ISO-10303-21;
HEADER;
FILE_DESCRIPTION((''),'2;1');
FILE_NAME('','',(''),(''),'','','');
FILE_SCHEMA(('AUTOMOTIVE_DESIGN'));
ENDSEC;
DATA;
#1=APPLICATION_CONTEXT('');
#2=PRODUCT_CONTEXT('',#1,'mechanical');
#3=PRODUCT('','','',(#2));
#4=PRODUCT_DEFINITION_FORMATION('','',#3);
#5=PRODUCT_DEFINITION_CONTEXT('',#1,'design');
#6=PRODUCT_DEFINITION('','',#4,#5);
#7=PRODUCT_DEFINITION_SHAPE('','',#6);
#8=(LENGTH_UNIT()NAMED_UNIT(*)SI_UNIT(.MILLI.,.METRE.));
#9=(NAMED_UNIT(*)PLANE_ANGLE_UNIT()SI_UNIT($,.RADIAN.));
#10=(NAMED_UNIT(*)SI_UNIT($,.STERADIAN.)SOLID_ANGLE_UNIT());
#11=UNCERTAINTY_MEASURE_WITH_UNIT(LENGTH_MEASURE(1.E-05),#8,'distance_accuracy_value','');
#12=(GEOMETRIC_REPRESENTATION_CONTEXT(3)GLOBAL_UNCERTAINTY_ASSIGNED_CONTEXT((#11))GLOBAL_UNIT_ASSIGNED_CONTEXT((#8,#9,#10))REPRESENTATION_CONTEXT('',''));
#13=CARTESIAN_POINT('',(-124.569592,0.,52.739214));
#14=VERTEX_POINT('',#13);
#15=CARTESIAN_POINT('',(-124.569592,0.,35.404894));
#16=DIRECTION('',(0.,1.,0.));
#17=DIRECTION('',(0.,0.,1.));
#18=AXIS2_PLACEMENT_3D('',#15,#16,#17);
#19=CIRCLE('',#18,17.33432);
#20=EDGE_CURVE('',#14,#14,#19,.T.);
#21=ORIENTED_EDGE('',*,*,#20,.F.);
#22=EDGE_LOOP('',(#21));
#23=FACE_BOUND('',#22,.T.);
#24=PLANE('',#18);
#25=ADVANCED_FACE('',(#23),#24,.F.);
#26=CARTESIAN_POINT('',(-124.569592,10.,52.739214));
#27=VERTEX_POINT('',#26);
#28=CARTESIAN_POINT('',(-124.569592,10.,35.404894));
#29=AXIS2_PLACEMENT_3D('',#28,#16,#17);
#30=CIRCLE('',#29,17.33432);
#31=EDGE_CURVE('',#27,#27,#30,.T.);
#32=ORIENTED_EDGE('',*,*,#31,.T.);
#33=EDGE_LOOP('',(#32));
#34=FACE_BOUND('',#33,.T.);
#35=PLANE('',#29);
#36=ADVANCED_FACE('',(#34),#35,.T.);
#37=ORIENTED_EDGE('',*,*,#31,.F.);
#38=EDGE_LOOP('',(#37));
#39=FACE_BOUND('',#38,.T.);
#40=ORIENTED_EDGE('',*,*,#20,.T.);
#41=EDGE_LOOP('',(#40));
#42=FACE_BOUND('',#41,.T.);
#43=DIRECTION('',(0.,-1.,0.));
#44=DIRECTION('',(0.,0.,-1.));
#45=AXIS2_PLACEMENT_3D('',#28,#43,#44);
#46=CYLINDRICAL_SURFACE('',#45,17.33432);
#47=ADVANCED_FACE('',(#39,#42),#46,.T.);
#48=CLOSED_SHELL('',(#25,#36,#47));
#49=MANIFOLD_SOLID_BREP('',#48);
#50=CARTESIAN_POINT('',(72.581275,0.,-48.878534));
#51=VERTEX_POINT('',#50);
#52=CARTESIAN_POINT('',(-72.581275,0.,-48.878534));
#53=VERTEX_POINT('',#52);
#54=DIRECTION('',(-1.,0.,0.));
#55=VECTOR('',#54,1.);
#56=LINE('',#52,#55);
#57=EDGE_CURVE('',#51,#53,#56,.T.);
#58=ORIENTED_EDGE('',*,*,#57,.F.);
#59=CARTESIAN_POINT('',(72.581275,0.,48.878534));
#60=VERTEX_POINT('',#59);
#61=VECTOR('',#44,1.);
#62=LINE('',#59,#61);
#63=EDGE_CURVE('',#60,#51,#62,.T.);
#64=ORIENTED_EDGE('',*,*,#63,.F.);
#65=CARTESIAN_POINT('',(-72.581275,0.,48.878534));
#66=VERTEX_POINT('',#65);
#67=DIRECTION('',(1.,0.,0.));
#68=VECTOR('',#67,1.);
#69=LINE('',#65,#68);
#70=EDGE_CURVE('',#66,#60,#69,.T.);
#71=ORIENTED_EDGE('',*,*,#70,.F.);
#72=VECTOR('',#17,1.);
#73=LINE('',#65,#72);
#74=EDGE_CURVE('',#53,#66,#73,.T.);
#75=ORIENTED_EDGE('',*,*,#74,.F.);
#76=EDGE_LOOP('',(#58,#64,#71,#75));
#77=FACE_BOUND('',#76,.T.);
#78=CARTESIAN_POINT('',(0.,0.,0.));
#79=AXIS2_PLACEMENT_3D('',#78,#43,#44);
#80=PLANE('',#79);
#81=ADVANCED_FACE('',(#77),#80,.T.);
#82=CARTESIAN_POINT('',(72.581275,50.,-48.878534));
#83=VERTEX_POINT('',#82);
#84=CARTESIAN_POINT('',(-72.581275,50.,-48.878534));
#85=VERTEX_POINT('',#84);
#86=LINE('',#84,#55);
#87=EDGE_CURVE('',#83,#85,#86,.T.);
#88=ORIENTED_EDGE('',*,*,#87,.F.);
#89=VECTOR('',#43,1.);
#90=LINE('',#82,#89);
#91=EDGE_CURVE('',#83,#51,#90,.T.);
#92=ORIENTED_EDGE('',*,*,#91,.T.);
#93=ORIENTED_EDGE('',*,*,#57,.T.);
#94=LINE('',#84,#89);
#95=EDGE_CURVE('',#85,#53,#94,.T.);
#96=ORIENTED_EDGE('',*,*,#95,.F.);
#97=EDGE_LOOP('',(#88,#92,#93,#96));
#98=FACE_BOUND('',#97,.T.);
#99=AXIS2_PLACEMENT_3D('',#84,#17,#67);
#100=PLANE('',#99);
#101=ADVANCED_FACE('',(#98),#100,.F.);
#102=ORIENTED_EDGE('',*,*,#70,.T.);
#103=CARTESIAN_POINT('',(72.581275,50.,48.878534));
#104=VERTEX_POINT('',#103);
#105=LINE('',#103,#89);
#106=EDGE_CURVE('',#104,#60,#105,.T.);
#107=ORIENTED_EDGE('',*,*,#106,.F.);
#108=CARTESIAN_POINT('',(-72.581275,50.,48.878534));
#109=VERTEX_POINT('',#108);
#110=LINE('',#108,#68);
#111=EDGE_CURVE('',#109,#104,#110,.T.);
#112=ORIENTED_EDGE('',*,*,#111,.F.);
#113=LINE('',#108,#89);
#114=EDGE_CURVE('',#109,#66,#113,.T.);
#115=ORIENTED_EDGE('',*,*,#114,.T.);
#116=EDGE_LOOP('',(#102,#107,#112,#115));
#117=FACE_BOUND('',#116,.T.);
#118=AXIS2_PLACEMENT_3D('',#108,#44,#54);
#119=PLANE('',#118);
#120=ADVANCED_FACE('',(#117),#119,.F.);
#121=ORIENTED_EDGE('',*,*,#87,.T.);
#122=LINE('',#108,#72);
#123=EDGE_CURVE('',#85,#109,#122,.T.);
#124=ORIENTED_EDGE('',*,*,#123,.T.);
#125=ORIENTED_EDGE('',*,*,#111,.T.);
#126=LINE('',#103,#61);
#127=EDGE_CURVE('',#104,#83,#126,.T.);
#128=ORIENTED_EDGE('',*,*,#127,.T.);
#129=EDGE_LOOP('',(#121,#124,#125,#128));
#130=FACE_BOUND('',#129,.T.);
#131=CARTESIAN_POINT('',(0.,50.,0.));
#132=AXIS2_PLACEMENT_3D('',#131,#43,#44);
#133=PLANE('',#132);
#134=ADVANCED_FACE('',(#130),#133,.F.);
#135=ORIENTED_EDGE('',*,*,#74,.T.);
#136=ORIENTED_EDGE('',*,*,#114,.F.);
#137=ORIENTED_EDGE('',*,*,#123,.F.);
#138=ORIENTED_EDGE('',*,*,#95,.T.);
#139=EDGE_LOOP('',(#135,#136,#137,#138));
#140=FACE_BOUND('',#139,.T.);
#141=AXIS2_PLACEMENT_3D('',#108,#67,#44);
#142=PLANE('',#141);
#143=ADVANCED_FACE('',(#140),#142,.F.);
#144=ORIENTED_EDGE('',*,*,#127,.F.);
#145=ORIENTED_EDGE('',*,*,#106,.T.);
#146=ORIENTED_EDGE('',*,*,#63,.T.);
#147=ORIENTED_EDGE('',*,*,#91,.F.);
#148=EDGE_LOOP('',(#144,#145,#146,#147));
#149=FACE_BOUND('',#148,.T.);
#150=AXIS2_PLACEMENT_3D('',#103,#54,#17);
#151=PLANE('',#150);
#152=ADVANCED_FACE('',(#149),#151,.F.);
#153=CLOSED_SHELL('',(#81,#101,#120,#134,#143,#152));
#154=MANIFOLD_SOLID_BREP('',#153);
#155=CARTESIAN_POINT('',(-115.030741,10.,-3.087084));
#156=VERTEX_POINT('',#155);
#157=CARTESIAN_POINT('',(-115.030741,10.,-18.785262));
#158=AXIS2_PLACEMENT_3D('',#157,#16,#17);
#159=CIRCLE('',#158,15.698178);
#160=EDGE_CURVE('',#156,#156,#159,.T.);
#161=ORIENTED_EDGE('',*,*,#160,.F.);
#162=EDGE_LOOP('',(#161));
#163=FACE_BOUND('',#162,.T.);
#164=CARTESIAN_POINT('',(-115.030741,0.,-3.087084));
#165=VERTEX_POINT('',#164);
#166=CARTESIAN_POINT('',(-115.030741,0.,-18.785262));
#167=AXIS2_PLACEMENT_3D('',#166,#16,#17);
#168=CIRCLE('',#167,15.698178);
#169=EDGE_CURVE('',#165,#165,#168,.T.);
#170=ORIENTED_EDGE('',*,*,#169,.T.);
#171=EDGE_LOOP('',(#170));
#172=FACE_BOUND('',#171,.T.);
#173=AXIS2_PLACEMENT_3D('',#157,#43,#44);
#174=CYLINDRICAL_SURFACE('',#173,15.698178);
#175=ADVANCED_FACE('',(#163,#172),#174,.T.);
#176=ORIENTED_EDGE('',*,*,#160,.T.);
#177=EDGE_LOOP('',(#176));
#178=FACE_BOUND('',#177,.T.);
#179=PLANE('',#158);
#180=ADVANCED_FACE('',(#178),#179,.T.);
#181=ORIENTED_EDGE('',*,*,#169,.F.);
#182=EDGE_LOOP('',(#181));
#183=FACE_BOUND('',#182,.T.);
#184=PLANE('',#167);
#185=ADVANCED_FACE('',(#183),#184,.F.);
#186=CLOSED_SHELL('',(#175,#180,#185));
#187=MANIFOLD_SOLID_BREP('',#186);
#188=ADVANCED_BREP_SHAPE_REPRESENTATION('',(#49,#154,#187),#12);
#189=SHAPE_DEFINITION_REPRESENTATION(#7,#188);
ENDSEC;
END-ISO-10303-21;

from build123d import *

# Parameters (mm, degrees)
SKETCH_1_W      = 145.162550348
SKETCH_1_H      = 97.757068038
EXTRUDE_1_DEPTH = 50
SKETCH_2_R      = 15.69817808
EXTRUDE_2_DEPTH = 10
SKETCH_3_R      = 17.334319562
EXTRUDE_3_DEPTH = 10


with BuildPart() as part:
    # 草图1 → 凸台-拉伸1 (new body)
    with BuildSketch(Plane(origin=(0, 0, 0), x_dir=(1, 0, 0), z_dir=(0, 1, 0))):
        Rectangle(SKETCH_1_W, SKETCH_1_H)
    extrude(amount=EXTRUDE_1_DEPTH)


with BuildPart() as body_2:
    # 草图2 → 凸台-拉伸2 (new body)
    with BuildSketch(Plane(origin=(0, 0, 0), x_dir=(1, 0, 0), z_dir=(0, 1, 0))):
        with Locations((-115.030740926, 18.785262127)):
            Circle(SKETCH_2_R)
    extrude(amount=EXTRUDE_2_DEPTH)


with BuildPart() as body_3:
    # 草图3 → 凸台-拉伸3 (new body)
    with BuildSketch(Plane(origin=(0, 0, 0), x_dir=(1, 0, 0), z_dir=(0, 1, 0))):
        with Locations((-124.569592284, -35.404894456)):
            Circle(SKETCH_3_R)
    extrude(amount=EXTRUDE_3_DEPTH)


solid = Compound([part.part, body_2.part, body_3.part])
